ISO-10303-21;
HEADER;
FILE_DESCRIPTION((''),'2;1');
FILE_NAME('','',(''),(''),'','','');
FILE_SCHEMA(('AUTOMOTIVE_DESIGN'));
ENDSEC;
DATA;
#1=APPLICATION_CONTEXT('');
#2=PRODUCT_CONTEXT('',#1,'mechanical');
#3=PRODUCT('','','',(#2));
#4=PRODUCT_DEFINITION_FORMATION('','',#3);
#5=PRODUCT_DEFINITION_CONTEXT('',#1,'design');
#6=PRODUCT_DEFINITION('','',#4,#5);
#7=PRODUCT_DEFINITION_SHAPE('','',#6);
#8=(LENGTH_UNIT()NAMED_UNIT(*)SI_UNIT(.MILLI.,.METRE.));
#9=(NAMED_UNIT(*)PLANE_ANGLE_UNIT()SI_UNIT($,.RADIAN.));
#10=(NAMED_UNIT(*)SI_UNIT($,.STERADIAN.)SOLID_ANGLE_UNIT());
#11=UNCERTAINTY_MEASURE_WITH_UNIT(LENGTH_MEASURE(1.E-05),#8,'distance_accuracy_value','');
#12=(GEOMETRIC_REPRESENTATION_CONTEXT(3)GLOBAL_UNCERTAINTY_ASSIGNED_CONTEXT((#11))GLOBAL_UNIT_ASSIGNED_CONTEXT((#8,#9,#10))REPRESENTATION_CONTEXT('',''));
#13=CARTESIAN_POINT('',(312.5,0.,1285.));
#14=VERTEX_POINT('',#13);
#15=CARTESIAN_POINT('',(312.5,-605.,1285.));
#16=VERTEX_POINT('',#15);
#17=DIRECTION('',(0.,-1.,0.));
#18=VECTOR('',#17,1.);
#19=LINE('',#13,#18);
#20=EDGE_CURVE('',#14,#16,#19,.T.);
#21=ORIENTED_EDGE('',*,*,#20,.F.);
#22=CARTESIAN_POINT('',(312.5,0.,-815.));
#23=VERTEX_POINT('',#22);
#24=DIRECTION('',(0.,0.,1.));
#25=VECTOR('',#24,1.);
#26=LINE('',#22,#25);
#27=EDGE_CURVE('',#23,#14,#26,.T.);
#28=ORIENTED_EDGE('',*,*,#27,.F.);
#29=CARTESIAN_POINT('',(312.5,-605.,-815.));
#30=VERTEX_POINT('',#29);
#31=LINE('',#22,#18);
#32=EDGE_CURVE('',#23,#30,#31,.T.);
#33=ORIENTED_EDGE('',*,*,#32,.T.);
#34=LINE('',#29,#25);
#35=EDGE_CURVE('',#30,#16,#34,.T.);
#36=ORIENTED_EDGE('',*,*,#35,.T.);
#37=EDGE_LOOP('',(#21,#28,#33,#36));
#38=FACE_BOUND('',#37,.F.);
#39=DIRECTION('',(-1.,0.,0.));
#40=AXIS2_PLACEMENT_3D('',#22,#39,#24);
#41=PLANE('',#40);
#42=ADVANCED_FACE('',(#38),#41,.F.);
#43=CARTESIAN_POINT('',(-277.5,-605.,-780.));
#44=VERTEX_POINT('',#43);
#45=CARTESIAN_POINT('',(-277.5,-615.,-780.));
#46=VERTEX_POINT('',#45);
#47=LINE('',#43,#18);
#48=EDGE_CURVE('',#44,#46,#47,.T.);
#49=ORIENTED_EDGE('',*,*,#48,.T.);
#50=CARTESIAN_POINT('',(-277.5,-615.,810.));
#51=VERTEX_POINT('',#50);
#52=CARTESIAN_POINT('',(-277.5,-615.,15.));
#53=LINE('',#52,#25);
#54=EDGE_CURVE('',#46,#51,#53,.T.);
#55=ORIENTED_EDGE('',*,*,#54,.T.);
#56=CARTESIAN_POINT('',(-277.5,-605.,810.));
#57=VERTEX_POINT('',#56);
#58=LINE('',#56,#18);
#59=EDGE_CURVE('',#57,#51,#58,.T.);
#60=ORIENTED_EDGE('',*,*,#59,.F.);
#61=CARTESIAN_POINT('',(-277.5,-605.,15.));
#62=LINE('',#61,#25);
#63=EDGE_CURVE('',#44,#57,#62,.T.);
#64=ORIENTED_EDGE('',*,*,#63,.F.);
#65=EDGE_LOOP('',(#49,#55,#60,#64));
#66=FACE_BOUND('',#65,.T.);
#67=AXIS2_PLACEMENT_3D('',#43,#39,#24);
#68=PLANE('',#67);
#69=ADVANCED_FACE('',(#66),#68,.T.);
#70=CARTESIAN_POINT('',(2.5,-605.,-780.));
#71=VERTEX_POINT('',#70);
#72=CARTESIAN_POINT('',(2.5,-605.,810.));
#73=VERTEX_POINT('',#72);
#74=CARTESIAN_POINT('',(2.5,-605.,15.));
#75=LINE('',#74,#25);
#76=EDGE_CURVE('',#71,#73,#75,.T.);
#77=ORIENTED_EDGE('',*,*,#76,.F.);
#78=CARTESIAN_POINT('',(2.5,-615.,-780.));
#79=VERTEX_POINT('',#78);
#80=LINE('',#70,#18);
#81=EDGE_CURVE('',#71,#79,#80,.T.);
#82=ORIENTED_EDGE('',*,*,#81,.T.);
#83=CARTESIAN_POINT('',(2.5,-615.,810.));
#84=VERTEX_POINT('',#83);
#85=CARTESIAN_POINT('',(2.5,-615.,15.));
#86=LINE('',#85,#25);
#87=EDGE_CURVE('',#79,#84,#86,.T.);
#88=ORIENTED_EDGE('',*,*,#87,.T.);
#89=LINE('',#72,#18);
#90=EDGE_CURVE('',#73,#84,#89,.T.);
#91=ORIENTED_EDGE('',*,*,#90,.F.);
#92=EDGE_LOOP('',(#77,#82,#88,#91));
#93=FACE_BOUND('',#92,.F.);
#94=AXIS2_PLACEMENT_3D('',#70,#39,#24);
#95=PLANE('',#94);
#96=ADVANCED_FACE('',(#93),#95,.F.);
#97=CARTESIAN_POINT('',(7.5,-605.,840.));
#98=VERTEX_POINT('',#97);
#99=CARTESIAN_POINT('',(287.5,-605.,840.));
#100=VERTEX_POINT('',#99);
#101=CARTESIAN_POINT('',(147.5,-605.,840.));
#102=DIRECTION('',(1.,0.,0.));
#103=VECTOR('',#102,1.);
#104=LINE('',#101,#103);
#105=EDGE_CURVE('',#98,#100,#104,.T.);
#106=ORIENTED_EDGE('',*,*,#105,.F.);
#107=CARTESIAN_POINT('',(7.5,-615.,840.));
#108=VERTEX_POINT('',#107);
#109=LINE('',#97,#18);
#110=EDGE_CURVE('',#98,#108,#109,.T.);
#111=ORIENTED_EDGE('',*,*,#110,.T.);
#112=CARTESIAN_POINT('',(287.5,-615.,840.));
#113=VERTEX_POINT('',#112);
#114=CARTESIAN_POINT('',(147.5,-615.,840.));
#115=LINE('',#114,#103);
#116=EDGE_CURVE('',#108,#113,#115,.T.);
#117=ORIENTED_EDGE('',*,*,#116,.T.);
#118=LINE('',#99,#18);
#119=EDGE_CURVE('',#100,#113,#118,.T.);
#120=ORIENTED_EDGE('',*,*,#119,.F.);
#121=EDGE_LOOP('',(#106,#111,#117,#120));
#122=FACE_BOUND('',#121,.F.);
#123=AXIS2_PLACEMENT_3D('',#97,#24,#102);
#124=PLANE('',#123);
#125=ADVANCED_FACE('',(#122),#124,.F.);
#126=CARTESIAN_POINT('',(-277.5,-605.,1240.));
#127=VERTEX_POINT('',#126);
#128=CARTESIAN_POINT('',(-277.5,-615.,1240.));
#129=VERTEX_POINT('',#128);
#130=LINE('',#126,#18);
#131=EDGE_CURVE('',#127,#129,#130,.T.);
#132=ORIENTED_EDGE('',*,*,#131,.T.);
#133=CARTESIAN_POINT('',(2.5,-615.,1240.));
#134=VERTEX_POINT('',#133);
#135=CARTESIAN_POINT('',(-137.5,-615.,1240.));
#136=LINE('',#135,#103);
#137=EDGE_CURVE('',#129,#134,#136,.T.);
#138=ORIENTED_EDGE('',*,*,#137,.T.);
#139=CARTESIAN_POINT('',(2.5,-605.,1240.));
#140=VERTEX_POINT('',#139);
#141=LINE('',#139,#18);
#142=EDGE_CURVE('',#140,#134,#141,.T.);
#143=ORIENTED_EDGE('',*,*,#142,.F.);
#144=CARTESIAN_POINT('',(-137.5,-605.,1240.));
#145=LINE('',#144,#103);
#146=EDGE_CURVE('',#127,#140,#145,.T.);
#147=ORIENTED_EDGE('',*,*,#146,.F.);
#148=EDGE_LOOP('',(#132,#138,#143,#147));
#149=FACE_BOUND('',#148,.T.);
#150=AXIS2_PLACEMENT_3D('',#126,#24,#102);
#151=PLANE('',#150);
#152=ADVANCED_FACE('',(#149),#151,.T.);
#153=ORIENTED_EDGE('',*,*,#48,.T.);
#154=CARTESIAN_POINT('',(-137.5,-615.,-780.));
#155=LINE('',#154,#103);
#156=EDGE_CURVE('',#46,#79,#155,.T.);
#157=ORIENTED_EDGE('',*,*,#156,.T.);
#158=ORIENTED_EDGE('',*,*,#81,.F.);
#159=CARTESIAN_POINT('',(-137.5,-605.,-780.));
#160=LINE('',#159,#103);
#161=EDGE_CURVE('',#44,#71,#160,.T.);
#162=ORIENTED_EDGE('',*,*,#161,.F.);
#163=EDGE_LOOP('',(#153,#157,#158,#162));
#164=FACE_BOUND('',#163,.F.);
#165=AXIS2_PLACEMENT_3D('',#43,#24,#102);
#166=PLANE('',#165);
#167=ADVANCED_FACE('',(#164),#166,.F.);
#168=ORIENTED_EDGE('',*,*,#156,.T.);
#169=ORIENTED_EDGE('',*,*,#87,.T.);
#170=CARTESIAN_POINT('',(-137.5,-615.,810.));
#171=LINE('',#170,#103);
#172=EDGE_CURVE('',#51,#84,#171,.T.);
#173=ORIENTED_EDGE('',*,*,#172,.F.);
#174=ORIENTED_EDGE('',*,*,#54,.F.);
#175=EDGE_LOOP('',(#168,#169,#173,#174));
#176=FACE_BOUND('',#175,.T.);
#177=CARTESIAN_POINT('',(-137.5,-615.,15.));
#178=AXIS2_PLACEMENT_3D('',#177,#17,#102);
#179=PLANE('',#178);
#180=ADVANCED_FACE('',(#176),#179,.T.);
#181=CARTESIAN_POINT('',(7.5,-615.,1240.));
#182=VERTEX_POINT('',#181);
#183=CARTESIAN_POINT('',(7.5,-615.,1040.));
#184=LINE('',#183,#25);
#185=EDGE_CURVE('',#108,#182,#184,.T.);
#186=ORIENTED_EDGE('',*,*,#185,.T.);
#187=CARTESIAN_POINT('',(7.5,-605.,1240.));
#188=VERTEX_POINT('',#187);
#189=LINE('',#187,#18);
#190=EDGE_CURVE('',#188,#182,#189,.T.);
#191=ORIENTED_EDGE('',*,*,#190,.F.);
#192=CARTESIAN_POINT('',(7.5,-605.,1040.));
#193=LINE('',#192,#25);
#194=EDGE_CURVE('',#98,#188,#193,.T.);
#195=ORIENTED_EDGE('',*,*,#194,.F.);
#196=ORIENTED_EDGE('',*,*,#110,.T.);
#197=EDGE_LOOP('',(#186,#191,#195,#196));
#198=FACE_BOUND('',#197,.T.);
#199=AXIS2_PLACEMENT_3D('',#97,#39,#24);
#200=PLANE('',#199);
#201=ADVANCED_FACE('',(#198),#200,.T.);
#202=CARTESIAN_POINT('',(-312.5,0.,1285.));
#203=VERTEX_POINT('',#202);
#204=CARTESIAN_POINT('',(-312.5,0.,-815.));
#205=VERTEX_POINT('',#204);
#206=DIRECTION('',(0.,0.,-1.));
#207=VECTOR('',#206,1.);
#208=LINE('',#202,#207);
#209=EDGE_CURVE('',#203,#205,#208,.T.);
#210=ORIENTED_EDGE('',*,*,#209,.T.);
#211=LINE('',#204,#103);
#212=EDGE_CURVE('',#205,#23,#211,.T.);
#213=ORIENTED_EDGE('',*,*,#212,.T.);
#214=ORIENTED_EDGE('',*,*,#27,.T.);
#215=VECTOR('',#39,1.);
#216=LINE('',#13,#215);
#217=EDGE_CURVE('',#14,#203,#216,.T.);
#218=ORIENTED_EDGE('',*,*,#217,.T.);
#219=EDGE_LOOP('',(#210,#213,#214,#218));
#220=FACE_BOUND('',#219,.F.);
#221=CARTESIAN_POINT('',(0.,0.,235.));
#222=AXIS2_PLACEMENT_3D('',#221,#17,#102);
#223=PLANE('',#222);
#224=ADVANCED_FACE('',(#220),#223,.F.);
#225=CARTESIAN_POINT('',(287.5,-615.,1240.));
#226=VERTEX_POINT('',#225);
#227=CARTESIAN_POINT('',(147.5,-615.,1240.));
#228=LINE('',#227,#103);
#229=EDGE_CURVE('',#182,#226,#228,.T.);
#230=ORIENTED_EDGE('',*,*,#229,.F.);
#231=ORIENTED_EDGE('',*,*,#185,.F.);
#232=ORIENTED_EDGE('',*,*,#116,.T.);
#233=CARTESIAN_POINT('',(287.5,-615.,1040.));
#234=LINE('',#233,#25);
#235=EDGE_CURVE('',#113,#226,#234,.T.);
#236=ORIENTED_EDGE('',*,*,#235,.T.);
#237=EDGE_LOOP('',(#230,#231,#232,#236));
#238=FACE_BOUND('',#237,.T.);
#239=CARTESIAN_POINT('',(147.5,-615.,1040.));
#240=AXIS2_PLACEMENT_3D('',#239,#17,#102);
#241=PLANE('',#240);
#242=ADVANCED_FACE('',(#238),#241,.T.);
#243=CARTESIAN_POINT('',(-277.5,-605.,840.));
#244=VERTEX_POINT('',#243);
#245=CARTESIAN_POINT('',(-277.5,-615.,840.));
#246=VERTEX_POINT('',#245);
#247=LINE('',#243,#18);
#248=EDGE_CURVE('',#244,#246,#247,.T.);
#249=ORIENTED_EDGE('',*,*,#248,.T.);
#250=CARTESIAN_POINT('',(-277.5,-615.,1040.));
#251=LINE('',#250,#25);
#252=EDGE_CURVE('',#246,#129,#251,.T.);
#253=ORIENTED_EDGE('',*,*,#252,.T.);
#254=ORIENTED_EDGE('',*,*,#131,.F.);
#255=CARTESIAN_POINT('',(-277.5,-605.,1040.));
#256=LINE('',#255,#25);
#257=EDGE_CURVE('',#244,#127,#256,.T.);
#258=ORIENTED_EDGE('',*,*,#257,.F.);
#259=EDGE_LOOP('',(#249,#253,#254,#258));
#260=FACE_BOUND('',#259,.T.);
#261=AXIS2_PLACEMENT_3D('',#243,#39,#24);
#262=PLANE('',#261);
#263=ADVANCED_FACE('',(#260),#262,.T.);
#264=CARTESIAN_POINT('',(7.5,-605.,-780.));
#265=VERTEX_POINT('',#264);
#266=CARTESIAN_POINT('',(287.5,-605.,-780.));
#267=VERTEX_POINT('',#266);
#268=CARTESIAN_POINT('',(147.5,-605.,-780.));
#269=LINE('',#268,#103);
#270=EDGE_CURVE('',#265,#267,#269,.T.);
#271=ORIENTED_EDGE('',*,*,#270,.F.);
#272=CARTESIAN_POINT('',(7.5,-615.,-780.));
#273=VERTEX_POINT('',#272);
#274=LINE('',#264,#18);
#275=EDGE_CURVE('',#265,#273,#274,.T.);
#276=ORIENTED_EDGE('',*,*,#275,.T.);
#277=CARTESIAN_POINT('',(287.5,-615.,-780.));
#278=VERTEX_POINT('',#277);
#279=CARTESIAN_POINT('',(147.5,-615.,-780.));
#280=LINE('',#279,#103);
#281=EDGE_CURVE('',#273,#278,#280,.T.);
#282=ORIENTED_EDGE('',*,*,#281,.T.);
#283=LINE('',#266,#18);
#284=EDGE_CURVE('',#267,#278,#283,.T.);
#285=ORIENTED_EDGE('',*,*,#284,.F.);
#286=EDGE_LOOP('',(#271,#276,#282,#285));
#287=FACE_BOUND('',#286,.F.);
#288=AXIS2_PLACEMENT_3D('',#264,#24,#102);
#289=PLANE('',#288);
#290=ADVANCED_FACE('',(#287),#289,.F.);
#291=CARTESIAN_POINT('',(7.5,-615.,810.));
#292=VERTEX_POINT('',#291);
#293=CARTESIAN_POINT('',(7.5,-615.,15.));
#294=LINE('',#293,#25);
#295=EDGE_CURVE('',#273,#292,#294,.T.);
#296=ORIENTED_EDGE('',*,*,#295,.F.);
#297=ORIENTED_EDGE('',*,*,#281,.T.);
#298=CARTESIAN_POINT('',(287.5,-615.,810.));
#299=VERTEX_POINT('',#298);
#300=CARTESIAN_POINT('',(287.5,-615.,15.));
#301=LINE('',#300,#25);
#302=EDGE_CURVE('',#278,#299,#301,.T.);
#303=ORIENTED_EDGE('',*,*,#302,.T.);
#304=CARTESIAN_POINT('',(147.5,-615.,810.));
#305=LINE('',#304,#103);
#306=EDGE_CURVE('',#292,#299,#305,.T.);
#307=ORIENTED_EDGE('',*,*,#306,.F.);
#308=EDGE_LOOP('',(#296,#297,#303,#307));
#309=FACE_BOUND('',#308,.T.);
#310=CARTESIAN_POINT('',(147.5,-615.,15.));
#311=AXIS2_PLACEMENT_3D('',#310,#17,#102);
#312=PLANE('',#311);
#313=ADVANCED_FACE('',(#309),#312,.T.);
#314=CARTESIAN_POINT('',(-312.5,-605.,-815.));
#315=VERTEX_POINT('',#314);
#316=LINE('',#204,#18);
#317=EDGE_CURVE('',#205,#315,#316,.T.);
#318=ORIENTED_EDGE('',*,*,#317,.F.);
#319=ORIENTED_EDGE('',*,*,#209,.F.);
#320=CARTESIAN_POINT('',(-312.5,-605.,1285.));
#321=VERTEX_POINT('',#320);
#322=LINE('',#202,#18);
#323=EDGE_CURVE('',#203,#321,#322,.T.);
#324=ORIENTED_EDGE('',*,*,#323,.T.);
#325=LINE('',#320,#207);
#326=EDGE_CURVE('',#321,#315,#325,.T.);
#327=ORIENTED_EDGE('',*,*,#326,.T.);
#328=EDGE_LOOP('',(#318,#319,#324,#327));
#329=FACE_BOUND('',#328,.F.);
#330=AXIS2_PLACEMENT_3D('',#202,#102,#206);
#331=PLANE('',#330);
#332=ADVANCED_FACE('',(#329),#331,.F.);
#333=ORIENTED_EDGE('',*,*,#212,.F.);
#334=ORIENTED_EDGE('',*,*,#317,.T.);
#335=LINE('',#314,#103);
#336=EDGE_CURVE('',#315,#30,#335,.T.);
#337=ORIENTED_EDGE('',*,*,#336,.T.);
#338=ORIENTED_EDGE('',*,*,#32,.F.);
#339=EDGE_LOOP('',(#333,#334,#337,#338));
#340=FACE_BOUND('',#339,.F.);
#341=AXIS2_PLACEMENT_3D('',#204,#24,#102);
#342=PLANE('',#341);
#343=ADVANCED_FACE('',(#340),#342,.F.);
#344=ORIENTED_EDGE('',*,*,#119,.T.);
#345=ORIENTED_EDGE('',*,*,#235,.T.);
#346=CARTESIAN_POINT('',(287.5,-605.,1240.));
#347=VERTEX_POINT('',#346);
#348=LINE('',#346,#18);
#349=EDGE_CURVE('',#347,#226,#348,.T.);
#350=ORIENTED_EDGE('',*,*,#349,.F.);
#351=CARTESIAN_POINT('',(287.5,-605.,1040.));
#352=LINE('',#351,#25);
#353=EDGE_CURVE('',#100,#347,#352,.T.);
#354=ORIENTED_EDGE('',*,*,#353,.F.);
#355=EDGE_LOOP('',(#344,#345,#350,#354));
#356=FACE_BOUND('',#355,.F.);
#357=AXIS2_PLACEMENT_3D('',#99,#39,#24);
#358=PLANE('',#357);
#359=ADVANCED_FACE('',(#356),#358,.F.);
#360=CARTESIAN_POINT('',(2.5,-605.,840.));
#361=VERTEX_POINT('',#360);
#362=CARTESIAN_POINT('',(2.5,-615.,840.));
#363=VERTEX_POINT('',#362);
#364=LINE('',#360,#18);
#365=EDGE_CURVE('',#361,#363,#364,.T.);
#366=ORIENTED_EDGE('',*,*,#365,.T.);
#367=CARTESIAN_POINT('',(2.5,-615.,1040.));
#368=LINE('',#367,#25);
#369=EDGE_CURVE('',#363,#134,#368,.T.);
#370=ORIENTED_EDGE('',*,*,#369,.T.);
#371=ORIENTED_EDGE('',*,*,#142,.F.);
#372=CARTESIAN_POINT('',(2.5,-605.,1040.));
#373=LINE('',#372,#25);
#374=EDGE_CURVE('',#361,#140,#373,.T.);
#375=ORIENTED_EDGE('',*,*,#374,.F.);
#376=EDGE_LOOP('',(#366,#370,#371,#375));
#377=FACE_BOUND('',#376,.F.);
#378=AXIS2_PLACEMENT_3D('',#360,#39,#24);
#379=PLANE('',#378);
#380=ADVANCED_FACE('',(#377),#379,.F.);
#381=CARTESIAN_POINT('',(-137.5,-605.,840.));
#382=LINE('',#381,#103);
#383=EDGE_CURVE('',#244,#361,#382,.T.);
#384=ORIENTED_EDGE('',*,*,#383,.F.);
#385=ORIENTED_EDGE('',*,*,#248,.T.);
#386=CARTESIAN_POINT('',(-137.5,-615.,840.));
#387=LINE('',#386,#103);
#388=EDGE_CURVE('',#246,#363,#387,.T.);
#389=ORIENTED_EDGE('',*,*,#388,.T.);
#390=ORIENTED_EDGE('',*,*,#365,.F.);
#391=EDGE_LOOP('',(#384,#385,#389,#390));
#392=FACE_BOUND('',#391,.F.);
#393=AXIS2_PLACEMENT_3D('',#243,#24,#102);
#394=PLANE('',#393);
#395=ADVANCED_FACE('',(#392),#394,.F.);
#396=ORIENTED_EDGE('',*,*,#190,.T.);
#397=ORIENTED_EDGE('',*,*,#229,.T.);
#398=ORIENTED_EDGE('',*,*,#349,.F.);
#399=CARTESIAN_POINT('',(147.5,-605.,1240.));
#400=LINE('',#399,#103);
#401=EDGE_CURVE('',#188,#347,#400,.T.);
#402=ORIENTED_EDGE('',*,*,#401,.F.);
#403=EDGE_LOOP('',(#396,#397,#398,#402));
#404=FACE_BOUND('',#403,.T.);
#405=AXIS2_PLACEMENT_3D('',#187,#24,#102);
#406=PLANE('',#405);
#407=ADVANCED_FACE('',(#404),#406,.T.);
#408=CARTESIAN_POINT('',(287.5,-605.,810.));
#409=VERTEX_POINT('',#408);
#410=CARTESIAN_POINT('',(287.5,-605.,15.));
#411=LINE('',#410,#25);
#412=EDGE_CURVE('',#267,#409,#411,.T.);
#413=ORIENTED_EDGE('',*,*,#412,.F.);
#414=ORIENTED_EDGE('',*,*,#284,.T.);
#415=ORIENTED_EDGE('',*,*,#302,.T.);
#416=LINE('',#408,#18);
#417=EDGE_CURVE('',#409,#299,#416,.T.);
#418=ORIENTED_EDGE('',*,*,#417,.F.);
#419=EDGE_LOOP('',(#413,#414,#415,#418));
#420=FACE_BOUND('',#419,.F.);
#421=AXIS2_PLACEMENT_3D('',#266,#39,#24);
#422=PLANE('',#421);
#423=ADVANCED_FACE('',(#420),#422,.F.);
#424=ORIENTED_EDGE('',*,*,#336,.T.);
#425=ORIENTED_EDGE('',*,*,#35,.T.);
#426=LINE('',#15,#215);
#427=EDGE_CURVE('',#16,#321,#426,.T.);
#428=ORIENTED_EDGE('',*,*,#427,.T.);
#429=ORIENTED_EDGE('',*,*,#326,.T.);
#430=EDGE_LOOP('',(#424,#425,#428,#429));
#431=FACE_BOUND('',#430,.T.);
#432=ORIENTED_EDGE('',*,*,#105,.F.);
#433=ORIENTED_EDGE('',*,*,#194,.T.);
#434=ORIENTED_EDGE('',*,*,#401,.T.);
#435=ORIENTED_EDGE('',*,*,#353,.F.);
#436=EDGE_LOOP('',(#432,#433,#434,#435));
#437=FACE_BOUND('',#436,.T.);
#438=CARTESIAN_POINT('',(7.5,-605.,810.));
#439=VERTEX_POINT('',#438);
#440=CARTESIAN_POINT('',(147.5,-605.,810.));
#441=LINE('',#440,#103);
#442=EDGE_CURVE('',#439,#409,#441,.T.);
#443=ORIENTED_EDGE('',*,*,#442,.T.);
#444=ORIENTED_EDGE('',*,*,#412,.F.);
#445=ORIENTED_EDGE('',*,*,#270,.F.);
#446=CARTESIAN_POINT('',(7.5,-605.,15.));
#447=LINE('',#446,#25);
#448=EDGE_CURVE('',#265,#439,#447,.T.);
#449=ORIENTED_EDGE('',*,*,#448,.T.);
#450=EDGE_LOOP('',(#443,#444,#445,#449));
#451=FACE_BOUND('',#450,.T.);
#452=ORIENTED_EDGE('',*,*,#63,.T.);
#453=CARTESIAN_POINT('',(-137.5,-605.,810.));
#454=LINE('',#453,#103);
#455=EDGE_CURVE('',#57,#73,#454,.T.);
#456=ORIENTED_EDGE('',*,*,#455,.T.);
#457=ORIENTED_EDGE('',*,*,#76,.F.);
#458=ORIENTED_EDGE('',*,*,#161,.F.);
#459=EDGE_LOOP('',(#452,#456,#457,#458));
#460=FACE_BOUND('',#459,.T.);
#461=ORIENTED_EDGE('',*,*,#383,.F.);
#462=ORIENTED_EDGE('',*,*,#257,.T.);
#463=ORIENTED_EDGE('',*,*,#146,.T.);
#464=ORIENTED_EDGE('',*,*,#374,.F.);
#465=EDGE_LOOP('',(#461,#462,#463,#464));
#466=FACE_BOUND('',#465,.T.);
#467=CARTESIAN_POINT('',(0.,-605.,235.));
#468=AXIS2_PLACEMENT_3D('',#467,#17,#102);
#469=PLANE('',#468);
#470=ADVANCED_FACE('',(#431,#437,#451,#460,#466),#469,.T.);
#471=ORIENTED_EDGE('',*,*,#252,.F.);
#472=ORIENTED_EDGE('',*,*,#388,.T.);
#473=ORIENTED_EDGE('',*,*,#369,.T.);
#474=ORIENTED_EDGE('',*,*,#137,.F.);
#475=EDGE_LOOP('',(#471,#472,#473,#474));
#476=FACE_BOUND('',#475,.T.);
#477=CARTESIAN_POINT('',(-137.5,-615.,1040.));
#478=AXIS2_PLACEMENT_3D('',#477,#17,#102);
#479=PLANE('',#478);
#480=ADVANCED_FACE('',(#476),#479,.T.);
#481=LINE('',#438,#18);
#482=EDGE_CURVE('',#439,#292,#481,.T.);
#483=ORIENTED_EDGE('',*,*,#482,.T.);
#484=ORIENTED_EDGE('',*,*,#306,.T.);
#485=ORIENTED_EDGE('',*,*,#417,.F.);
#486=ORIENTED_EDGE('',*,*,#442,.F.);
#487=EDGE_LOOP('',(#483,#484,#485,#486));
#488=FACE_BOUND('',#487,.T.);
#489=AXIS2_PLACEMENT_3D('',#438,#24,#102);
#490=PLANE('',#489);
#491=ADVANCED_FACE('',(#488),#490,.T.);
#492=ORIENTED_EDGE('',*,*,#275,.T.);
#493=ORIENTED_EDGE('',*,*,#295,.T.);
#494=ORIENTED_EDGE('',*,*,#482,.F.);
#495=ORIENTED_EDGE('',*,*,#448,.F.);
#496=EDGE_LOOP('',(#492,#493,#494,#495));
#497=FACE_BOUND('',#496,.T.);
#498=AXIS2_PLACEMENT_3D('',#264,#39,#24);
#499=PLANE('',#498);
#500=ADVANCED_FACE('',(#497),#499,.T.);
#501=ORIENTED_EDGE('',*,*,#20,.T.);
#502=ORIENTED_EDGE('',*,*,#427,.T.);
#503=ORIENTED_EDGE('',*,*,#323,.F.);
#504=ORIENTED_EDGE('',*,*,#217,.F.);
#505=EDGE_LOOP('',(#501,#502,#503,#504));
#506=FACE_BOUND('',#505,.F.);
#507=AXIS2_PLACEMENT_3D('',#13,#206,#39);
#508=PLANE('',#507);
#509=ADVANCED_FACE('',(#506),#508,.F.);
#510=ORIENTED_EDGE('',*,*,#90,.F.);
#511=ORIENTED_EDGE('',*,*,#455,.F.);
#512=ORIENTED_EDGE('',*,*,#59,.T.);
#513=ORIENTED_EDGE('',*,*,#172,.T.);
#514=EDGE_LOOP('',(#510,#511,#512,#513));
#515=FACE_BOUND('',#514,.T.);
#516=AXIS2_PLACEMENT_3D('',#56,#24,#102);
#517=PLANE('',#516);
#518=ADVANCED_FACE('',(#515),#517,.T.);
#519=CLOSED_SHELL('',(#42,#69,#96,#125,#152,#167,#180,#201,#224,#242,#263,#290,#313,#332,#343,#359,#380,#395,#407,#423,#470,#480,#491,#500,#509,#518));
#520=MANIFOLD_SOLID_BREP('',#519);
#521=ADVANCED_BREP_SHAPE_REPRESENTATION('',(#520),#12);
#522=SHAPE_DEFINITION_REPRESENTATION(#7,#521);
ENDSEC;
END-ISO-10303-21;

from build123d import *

# Parameters (mm, degrees)
F1_DEPTH = 605
F2_W     = 280
F2_H     = 400
F2_H_2   = 1590
F3_DEPTH = 10


with BuildPart() as f1:
    # F0 (on Front) → F1 (new body)
    with BuildSketch(Plane.XZ):
        Polygon((312.5, -689.526498), (312.5, 1285), (-312.5, 1285), (-312.5, -689.526498), (-312.5, -815), (312.5, -815), align=None)
    extrude(amount=F1_DEPTH)

    # F2 (on face) → F3 (join)
    with BuildSketch(Plane.XZ.offset(605)):
        with Locations((-137.5, 1040)):
            Rectangle(F2_W, F2_H)
        with Locations((147.5, 1040)):
            Rectangle(F2_W, F2_H)
        with Locations((-137.5, 15)):
            Rectangle(F2_W, F2_H_2)
        with Locations((147.5, 15)):
            Rectangle(F2_W, F2_H_2)
    extrude(amount=F3_DEPTH)


solid = f1.part
